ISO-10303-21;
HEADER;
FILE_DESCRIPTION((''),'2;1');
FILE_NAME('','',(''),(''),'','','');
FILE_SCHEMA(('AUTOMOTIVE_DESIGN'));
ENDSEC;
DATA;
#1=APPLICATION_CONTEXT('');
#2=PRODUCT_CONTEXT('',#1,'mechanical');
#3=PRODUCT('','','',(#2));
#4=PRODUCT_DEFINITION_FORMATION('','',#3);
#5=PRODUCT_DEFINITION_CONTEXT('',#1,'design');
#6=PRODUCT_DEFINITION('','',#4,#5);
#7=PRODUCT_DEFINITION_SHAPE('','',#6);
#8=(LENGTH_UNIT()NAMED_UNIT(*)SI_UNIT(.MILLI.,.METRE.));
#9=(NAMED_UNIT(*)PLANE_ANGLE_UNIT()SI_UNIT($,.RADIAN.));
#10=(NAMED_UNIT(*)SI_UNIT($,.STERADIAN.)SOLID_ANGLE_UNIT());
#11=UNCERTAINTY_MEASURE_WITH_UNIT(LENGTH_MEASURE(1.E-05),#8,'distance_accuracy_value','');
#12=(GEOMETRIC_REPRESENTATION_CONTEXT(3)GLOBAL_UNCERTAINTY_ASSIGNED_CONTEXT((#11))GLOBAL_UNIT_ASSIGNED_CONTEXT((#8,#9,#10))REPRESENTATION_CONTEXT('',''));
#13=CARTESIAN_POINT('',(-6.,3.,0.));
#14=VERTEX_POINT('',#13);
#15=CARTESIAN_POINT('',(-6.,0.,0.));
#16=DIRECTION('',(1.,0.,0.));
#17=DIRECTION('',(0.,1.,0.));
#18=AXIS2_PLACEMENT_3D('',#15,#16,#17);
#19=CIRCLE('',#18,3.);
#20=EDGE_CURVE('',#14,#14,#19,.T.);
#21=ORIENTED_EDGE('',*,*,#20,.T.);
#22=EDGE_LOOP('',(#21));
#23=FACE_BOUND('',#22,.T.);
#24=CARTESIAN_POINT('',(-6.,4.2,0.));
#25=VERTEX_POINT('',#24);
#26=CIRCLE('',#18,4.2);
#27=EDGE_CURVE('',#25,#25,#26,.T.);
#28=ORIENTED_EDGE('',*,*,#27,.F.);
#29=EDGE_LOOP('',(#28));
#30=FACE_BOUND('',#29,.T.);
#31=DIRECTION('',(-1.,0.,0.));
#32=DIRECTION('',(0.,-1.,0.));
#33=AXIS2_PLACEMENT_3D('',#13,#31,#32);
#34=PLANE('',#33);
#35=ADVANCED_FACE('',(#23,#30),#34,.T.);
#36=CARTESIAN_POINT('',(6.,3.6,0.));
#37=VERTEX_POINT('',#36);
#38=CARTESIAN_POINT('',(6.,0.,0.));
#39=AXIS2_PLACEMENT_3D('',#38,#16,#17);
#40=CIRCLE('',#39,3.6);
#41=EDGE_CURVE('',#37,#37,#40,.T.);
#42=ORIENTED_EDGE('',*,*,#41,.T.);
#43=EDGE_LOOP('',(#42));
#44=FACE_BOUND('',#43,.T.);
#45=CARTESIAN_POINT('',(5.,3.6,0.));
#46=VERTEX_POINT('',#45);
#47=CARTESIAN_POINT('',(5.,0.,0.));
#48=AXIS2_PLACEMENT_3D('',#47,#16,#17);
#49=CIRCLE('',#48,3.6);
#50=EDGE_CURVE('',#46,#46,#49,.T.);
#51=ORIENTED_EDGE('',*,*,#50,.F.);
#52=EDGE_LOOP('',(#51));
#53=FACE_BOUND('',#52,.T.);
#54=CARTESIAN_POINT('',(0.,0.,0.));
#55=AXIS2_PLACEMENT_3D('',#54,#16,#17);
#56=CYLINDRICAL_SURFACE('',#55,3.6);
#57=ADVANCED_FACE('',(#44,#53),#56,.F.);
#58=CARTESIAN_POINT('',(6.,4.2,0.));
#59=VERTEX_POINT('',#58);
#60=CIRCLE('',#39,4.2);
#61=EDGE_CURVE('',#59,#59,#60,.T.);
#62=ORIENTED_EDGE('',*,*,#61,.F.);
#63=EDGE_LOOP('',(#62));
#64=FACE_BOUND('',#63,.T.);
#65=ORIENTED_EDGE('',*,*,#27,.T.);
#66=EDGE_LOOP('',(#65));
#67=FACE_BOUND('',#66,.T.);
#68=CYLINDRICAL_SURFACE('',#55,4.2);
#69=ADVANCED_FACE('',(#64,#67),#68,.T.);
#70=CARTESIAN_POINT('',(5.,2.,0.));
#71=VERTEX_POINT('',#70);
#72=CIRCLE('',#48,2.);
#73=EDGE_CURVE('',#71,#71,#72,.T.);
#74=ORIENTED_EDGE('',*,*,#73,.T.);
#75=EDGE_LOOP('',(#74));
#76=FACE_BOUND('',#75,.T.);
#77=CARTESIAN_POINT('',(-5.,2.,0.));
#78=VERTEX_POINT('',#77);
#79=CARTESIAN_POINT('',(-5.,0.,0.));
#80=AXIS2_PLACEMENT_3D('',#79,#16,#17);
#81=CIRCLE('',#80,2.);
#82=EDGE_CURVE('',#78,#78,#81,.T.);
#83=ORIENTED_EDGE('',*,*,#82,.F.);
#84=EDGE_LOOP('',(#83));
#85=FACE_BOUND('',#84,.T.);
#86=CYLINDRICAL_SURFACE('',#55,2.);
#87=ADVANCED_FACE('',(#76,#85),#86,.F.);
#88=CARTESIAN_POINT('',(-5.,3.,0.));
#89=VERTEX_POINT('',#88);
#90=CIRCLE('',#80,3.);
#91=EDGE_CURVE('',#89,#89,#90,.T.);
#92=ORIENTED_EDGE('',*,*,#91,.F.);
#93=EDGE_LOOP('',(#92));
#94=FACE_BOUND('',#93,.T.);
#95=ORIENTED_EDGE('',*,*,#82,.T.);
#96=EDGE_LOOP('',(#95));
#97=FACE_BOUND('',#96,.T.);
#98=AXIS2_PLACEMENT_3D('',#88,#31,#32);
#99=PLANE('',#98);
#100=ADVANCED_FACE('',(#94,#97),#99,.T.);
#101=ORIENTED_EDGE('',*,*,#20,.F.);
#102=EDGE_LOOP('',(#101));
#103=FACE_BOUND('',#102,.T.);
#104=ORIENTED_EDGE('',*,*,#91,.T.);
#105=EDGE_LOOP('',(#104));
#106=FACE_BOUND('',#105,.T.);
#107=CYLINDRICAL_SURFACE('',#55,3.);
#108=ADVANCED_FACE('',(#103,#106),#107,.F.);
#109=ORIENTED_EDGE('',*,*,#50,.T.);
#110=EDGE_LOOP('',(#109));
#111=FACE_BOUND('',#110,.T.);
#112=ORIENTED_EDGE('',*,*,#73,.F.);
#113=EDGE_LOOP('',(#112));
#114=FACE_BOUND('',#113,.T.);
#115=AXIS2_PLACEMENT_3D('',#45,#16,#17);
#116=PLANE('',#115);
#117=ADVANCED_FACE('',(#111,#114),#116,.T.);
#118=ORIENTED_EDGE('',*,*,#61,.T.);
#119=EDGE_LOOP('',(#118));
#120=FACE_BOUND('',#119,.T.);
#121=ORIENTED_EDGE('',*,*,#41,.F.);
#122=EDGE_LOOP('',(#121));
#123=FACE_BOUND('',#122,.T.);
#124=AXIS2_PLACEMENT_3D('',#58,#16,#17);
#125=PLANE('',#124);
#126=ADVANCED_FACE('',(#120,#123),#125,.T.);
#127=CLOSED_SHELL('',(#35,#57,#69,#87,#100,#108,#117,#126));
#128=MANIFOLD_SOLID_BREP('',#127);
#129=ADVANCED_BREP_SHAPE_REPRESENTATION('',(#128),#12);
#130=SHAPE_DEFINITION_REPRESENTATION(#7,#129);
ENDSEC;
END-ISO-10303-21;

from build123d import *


with BuildPart() as part:
    # Esboço1 → Revolução1 (revolve)
    with BuildSketch(Plane.XY):
        Polygon((-6, 4.2), (6, 4.2), (6, 3.6), (5, 3.6), (5, 2), (-5, 2), (-5, 3), (-6, 3), align=None)
    revolve(axis=Axis((0, 0, 0), (-1, 0, 0)))


solid = part.part
